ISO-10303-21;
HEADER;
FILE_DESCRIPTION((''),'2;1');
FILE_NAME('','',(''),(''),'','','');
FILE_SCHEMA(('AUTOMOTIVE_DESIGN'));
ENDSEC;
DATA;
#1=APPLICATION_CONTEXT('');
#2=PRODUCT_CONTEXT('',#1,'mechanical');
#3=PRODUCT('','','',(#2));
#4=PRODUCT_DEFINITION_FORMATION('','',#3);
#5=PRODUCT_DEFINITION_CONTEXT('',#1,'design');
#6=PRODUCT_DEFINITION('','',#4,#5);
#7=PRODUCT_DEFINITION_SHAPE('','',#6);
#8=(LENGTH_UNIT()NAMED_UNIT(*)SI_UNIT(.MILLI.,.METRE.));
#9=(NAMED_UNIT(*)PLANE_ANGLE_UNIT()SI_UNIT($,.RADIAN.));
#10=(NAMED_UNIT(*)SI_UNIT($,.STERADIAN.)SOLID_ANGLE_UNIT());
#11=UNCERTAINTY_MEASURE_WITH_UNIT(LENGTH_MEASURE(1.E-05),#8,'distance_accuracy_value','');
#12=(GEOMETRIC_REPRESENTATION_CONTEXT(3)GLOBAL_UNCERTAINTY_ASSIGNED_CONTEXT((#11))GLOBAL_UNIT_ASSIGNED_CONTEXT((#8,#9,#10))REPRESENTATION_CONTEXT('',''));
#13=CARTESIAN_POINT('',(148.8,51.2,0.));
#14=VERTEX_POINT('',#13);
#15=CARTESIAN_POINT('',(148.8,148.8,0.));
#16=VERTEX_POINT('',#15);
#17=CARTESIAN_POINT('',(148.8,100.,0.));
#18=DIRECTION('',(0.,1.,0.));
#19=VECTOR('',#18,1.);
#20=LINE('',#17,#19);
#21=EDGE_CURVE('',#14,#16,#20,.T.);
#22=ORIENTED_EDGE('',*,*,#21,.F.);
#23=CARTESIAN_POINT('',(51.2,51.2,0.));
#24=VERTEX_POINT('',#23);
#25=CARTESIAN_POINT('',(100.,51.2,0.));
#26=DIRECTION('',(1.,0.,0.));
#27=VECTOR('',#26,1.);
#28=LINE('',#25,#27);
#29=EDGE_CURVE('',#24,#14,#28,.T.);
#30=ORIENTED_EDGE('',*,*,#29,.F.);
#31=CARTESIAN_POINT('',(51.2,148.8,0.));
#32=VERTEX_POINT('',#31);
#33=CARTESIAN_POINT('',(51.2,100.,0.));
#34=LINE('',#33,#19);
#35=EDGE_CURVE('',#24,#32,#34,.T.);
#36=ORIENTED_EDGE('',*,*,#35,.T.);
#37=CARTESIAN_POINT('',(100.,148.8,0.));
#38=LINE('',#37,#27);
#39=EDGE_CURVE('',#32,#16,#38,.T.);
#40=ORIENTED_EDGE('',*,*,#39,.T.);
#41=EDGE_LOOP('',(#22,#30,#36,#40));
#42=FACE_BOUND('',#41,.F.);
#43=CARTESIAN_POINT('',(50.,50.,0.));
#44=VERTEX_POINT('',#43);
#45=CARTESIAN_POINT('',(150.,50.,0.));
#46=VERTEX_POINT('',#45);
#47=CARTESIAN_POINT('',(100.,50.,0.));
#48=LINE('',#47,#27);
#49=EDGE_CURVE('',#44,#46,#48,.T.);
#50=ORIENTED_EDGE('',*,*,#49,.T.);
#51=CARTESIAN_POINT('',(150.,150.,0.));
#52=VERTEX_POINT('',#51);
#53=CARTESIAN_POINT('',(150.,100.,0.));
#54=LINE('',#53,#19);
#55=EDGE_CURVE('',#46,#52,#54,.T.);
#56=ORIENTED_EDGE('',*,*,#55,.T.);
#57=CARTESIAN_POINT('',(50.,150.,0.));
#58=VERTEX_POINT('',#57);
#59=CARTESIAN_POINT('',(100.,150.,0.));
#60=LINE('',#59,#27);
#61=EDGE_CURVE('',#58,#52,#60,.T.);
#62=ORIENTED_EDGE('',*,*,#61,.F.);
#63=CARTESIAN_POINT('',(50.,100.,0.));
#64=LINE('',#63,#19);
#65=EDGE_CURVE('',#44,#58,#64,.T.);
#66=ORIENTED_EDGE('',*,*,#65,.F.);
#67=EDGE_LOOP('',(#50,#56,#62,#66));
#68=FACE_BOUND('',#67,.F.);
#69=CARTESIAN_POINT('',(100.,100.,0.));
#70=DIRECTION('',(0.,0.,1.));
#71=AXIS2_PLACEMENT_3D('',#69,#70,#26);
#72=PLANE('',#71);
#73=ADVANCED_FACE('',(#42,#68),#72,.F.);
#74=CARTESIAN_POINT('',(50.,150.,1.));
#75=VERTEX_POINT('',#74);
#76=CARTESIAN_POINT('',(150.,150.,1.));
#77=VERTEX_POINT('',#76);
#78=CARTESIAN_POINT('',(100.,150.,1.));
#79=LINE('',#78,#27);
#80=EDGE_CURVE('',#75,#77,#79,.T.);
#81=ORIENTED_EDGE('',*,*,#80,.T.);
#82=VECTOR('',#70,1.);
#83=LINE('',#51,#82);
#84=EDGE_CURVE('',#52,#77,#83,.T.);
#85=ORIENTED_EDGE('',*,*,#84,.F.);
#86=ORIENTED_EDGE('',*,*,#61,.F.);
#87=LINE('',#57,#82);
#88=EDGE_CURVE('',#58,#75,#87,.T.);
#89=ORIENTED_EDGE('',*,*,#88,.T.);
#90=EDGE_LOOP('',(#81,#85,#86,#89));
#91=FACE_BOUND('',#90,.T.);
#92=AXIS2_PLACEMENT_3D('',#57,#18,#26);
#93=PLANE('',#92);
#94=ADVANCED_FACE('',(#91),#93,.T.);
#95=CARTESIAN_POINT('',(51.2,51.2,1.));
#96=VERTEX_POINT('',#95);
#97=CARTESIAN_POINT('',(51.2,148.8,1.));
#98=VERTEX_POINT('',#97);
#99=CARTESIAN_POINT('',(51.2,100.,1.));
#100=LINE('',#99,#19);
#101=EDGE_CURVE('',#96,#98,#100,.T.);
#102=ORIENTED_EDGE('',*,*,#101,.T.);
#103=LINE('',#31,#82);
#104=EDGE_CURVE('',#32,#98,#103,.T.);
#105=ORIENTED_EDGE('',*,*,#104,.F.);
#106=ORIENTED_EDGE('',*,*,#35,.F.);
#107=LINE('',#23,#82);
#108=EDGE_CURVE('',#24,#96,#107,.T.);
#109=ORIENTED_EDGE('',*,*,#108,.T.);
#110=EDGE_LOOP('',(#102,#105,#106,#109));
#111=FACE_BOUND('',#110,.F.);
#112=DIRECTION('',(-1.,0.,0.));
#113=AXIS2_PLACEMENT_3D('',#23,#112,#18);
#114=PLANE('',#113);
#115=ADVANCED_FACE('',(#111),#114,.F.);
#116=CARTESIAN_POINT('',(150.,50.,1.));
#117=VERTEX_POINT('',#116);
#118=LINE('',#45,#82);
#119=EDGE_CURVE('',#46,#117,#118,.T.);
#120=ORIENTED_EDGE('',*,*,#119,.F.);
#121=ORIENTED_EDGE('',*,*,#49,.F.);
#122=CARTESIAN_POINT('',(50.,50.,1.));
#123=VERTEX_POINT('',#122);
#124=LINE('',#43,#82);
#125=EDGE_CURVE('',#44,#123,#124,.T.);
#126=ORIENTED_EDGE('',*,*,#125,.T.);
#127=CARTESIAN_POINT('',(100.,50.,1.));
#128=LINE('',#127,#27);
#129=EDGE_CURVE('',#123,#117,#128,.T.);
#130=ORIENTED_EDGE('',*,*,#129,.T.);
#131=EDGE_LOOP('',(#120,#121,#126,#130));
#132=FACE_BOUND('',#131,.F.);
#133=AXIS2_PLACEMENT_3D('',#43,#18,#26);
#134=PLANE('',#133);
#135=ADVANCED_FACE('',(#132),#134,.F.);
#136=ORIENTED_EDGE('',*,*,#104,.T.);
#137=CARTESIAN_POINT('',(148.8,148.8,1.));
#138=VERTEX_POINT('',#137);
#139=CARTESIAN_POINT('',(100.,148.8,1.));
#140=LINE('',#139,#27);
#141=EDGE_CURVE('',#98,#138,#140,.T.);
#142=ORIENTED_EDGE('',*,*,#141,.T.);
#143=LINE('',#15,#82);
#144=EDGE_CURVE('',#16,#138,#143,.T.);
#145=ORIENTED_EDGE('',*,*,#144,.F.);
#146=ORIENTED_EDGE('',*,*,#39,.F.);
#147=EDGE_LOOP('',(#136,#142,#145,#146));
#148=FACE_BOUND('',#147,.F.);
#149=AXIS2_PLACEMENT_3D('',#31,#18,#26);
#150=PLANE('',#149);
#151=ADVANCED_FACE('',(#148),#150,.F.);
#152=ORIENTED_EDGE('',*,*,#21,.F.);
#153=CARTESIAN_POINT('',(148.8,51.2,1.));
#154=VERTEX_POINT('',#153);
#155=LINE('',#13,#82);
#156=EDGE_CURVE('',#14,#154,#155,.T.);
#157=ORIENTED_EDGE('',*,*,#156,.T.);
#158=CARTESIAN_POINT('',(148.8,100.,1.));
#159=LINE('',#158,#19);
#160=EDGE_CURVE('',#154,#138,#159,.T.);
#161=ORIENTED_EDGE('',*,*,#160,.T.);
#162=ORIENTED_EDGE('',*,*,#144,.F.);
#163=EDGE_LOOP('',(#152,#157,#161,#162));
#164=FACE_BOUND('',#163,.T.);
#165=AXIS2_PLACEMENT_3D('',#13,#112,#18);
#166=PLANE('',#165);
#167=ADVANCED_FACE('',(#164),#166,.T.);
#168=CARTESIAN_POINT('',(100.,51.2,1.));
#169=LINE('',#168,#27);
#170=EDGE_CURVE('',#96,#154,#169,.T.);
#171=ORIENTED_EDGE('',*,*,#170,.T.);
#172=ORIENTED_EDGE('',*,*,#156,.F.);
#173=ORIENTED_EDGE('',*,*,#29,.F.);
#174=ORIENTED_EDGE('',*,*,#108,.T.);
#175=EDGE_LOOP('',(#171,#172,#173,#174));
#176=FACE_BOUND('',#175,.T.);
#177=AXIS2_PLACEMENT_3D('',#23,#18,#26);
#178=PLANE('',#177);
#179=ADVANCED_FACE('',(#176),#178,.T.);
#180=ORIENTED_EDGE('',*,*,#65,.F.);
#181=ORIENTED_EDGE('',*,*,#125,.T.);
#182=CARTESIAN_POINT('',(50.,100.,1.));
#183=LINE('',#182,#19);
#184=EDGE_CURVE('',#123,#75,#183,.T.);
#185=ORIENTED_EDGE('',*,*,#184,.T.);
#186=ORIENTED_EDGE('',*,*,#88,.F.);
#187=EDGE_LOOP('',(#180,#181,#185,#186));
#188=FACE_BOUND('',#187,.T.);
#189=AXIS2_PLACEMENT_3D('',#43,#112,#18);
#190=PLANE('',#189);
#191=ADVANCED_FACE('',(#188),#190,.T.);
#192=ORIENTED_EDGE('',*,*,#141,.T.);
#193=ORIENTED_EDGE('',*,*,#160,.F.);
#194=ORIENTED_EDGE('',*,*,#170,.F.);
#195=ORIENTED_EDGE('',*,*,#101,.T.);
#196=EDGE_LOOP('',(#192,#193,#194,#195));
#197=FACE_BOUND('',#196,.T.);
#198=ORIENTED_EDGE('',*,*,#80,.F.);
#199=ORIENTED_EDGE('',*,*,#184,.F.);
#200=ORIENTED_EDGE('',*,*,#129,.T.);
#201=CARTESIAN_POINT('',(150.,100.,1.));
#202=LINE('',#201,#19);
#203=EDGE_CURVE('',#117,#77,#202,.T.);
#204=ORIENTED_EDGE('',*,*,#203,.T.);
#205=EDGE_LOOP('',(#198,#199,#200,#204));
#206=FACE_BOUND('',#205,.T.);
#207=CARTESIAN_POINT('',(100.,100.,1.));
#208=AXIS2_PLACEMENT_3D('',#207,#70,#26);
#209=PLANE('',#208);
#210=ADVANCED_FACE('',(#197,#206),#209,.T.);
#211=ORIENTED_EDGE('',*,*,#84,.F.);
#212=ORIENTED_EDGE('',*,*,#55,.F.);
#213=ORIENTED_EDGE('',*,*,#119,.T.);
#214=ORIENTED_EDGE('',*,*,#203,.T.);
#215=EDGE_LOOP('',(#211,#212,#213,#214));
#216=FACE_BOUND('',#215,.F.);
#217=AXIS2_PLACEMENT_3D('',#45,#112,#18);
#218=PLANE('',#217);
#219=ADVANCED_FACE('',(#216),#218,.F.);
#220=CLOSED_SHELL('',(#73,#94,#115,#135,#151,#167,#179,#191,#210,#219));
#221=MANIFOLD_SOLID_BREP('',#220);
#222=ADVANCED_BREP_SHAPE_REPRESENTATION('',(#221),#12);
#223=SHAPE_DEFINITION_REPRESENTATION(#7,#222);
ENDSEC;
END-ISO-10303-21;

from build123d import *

# Parameters (mm, degrees)
BOX001_W     = 97.6
BOX001_H     = 97.6
BOX001_DEPTH = 1
BOX_W        = 100
BOX_H        = 100
BOX_DEPTH    = 1


with BuildPart() as interior:
    # Box001 → Box001 (new body)
    with BuildSketch(Plane(origin=(51.2, 51.2, 0), x_dir=(1, 0, 0), z_dir=(0, 0, 1))):
        with Locations((48.8, 48.8)):
            Rectangle(BOX001_W, BOX001_H)
    extrude(amount=BOX001_DEPTH)


with BuildPart() as cubo:
    # Box → Box (new body)
    with BuildSketch(Plane(origin=(50, 50, 0), x_dir=(1, 0, 0), z_dir=(0, 0, 1))):
        with Locations((50, 50)):
            Rectangle(BOX_W, BOX_H)
    extrude(amount=BOX_DEPTH)

    # Cut: cut Interior
    add(interior.part, mode=Mode.SUBTRACT)


solid = cubo.part
